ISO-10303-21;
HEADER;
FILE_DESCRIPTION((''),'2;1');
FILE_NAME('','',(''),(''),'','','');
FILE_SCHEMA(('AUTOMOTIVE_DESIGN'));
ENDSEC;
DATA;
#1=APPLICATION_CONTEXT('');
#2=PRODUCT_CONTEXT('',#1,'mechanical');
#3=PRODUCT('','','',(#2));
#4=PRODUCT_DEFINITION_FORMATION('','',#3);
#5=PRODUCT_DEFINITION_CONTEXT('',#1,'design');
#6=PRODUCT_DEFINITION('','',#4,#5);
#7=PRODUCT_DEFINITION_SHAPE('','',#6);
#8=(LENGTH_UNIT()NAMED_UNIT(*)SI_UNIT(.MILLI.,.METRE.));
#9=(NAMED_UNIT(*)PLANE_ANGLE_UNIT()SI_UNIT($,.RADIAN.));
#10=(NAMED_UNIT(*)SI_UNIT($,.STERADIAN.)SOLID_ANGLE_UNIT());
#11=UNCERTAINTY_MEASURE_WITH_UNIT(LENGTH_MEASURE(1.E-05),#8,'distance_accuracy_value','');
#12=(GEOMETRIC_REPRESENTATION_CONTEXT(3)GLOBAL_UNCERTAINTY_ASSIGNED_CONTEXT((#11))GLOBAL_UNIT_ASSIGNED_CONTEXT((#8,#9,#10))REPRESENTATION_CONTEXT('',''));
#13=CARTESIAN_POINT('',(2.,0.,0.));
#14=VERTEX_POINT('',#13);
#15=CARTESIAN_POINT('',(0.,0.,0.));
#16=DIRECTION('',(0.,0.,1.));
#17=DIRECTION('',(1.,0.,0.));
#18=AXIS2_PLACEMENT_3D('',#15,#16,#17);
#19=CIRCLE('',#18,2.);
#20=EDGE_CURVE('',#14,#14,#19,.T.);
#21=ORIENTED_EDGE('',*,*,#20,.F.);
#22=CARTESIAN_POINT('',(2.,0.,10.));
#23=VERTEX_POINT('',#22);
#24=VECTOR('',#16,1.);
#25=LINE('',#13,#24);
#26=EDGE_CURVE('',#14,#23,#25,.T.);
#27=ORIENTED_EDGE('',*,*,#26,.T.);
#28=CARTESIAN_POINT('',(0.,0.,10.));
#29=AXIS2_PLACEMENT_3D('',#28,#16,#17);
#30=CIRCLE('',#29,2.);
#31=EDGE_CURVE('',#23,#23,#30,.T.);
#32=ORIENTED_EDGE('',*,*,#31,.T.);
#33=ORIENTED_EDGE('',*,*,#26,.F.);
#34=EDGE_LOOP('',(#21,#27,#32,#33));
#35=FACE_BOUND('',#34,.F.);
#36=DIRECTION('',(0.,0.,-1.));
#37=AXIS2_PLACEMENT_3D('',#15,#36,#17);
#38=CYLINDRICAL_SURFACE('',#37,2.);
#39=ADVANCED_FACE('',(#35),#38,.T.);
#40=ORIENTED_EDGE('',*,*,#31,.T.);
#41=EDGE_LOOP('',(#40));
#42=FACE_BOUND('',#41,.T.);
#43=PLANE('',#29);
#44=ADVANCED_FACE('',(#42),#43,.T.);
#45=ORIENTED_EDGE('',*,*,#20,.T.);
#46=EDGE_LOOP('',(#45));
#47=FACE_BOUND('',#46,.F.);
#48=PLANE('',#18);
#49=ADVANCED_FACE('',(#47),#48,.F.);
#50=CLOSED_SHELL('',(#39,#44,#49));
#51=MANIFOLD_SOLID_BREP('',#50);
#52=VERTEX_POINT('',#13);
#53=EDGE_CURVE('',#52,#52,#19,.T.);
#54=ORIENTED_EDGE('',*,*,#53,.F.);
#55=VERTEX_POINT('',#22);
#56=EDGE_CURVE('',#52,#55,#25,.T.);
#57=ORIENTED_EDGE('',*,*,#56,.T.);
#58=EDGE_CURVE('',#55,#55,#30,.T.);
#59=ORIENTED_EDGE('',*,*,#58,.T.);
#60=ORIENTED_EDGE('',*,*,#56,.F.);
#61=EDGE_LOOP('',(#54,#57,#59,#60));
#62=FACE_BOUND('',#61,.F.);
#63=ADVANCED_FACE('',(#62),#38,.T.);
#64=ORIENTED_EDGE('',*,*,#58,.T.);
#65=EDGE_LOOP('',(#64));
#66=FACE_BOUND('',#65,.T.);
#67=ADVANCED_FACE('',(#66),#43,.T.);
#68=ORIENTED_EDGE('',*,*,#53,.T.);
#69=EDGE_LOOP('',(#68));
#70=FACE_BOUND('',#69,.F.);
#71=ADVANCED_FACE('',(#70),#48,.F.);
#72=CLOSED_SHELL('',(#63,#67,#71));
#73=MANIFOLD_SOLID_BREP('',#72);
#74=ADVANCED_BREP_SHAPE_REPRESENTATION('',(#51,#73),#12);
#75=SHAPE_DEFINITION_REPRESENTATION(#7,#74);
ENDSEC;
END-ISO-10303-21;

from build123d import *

# Parameters (mm, degrees)
CYLINDER_R        = 2
CYLINDER_DEPTH    = 10
CYLINDER001_R     = 2
CYLINDER001_DEPTH = 10


with BuildPart() as cylinder:
    # Cylinder → Cylinder (new body)
    with BuildSketch(Plane.XY):
        Circle(CYLINDER_R)
    extrude(amount=CYLINDER_DEPTH)


with BuildPart() as cylinder001:
    # Cylinder001 → Cylinder001 (new body)
    with BuildSketch(Plane.XY):
        Circle(CYLINDER001_R)
    extrude(amount=CYLINDER001_DEPTH)


solid = Compound([cylinder.part, cylinder001.part])
